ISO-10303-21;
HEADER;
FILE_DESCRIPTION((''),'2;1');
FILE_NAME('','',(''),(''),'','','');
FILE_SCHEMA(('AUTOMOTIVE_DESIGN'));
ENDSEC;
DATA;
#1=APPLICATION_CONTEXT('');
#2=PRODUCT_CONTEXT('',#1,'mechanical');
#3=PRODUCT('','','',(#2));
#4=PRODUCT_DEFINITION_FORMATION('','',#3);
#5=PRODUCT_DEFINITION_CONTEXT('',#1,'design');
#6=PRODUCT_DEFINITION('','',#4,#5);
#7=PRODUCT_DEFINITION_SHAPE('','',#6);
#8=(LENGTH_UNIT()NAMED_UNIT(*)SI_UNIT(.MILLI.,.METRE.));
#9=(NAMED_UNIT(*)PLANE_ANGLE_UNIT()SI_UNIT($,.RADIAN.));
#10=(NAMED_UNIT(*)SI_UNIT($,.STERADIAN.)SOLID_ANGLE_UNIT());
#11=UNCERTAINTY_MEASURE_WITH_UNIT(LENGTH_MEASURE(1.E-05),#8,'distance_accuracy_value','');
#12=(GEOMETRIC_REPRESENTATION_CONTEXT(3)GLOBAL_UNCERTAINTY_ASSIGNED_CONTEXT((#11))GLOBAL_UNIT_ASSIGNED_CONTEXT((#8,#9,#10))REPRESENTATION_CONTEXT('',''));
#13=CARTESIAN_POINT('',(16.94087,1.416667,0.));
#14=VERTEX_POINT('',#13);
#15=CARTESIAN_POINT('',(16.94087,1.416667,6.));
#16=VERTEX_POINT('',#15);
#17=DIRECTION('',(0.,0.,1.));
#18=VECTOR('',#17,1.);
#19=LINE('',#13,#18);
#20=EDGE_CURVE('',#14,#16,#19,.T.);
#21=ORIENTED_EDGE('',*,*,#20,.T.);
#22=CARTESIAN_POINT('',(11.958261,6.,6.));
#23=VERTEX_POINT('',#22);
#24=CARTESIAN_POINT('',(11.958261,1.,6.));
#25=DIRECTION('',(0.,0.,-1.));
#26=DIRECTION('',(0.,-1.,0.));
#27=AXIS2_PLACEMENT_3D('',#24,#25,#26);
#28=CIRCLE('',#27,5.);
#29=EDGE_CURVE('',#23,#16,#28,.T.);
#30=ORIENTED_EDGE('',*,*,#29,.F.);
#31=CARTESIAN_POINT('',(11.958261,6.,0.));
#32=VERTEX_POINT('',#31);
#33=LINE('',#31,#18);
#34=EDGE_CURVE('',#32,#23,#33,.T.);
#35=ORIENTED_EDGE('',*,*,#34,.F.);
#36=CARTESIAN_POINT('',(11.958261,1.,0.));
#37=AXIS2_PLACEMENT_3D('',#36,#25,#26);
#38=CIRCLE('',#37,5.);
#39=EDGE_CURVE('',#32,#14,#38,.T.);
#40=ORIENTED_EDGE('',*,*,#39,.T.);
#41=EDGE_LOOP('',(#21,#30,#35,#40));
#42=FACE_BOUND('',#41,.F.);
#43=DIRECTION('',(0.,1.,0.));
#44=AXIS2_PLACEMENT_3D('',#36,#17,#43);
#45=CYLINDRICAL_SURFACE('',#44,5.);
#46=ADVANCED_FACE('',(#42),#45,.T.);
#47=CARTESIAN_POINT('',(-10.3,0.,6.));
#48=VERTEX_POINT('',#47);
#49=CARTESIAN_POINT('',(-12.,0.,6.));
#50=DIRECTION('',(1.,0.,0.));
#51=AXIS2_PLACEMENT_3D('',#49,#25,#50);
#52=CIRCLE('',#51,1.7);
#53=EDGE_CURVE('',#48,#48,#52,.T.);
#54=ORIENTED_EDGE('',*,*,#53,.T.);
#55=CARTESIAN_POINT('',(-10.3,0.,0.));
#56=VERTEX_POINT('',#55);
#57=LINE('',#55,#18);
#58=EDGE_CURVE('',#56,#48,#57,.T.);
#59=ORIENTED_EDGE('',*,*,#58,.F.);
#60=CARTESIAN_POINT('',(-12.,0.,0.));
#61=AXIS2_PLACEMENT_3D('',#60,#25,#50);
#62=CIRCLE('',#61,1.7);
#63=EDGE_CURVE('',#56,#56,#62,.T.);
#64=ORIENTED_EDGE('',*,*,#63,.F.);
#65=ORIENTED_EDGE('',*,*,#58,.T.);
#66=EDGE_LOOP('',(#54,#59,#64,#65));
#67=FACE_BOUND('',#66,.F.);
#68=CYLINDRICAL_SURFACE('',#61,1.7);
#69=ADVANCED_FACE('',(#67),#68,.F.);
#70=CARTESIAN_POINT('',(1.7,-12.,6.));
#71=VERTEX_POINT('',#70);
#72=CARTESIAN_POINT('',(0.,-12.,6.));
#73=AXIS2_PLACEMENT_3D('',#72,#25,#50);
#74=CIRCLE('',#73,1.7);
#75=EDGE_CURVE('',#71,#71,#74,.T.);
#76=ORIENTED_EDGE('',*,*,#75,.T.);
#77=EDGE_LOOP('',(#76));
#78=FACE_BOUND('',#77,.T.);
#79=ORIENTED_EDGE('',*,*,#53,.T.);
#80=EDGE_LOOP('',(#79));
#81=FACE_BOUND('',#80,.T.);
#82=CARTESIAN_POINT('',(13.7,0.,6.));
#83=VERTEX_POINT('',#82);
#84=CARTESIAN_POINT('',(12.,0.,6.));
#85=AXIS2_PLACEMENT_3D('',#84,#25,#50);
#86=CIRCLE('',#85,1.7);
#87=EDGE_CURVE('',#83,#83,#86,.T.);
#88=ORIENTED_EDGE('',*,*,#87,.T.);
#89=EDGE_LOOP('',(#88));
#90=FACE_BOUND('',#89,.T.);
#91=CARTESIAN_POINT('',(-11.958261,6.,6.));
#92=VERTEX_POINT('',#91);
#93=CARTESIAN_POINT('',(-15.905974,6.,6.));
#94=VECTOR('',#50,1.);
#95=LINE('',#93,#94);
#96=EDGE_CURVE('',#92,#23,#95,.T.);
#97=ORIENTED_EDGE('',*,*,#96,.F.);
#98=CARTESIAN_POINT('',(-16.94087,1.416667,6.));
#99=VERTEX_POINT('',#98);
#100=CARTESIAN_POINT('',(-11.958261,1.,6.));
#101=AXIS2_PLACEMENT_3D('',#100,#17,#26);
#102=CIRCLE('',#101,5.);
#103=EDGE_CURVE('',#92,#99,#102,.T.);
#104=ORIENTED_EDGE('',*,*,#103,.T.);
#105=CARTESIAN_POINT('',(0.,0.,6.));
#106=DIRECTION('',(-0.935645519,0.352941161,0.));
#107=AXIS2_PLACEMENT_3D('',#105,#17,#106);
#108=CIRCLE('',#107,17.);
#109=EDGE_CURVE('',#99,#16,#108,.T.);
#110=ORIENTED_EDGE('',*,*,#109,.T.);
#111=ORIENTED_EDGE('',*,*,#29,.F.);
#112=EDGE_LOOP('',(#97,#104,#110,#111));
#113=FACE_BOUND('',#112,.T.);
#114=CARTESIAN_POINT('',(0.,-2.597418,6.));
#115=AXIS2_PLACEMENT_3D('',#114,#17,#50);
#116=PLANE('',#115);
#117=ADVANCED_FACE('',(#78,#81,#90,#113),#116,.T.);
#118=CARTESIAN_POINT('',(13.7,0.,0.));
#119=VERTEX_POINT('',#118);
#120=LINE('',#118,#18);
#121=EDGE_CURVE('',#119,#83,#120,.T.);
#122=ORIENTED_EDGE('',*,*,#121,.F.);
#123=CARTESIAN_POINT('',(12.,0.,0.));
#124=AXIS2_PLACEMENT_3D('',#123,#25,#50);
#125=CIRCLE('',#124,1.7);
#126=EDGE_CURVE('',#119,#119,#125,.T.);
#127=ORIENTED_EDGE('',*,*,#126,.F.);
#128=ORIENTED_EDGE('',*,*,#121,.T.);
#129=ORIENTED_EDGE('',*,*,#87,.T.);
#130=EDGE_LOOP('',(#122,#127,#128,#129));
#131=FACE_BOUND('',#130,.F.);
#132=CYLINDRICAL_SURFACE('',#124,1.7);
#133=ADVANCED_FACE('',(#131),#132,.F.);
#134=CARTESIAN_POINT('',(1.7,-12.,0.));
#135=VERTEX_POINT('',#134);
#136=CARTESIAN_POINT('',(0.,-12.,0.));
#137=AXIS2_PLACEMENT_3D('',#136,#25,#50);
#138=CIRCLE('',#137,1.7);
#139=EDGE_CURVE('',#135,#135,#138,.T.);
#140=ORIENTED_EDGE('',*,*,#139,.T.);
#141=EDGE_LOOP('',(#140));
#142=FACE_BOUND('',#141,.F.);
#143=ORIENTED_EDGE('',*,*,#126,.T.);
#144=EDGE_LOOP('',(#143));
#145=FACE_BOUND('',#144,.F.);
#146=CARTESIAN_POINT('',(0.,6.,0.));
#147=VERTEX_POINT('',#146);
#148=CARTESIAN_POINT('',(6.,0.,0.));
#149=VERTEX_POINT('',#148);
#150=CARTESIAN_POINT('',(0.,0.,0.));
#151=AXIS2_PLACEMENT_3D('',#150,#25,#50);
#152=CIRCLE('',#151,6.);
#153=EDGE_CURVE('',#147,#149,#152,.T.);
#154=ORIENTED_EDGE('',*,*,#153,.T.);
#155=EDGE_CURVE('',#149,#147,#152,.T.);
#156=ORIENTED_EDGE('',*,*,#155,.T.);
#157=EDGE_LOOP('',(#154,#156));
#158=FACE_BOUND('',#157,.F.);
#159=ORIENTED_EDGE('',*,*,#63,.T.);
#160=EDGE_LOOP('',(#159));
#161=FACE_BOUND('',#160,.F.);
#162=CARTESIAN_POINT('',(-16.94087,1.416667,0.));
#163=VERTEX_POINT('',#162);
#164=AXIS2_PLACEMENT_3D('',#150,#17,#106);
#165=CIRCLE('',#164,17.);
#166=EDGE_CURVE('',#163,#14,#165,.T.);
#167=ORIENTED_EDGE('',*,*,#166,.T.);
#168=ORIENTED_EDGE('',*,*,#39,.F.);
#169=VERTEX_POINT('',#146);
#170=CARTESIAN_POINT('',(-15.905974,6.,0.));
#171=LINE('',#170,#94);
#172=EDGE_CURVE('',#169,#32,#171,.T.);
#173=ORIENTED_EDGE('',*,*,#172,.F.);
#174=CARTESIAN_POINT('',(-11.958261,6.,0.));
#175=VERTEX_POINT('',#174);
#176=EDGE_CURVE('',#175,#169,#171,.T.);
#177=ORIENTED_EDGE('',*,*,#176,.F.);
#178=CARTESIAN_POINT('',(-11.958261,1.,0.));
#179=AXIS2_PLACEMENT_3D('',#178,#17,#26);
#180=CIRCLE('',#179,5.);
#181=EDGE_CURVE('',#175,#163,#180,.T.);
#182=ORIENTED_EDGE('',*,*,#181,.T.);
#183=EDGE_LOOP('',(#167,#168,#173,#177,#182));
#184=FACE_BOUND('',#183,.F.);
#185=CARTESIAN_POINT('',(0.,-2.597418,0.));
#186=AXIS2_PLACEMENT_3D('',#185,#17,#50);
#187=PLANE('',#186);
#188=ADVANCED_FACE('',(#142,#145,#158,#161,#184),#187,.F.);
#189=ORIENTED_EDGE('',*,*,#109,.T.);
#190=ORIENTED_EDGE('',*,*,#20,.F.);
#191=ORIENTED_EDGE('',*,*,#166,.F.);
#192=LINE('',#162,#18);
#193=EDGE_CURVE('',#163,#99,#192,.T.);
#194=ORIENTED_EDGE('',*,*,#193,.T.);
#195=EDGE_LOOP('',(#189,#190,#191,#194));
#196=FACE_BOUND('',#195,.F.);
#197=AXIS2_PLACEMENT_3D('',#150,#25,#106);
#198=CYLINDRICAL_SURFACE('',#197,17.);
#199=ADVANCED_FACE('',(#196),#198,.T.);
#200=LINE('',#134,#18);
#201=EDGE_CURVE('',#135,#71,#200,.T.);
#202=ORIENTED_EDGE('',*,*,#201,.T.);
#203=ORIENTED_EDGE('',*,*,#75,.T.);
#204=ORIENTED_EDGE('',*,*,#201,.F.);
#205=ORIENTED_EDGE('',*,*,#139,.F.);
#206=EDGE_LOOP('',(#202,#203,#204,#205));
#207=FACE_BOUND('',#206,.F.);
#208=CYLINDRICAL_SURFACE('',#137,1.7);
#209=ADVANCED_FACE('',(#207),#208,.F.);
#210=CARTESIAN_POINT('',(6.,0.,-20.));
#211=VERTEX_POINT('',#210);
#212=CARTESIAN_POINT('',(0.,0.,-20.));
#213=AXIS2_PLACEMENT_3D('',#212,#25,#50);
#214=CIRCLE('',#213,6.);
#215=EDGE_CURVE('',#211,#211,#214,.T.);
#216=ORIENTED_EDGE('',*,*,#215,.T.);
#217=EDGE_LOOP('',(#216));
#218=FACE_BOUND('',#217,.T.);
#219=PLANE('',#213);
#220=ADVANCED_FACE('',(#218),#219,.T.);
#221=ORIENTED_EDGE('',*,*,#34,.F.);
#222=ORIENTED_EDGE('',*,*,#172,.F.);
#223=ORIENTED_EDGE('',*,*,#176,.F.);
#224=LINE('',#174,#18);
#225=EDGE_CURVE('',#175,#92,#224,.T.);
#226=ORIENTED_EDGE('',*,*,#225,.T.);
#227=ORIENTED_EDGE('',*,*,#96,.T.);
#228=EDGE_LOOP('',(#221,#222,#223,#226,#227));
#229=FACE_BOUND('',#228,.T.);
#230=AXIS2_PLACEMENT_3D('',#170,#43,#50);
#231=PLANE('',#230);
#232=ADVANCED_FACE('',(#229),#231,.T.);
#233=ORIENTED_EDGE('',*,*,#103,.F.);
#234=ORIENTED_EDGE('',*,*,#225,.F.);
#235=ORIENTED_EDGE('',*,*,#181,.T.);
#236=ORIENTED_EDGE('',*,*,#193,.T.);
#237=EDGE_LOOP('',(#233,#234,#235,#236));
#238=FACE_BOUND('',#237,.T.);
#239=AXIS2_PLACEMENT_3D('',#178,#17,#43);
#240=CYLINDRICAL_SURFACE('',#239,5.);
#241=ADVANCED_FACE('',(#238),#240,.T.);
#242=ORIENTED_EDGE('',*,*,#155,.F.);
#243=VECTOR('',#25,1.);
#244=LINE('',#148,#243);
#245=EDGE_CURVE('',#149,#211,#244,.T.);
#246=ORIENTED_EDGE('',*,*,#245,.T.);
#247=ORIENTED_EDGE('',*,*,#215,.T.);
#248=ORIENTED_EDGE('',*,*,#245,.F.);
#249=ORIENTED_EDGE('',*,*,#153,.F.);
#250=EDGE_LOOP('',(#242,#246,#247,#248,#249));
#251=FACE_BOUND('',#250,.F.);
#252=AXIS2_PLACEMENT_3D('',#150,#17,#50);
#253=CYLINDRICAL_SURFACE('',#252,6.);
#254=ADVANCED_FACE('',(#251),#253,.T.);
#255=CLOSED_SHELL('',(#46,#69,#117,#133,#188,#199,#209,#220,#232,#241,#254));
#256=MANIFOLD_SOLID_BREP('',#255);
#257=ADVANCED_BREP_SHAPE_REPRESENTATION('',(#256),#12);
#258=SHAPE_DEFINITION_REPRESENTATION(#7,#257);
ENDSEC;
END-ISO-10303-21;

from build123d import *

# Parameters (mm, degrees)
PAD_DEPTH    = 6
SKETCH001_R  = 6
PAD001_DEPTH = 20
SKETCH002_R  = 1.7
POCKET_DEPTH = 6.001
FILLET_R     = 5


with BuildPart() as part:
    # Sketch → Pad (new body)
    with BuildSketch(Plane.XY):
        with BuildLine():
            ThreePointArc((-15.905974, 6), (0, -17), (15.905974, 6))
            Line((-15.905974, 6), (15.905974, 6))
        make_face()
    extrude(amount=PAD_DEPTH)

    # Sketch001 → Pad001 (new body)
    with BuildSketch(Plane(origin=(0, 0, 0), x_dir=(1, 0, 0), z_dir=(0, 0, -1))):
        Circle(SKETCH001_R)
    extrude(amount=PAD001_DEPTH)

    # Sketch002 → Pocket (cut, through all)
    with BuildSketch(Plane(origin=(0, 0, 0), x_dir=(1, 0, 0), z_dir=(0, 0, -1))):
        with Locations((12, 0)):
            Circle(SKETCH002_R)
        with Locations((-12, 0)):
            Circle(SKETCH002_R)
        with Locations((0, 12)):
            Circle(SKETCH002_R)
    extrude(amount=-POCKET_DEPTH, mode=Mode.SUBTRACT)

    # Fillet
    fillet_edges = [part.edges().sort_by_distance(p)[0] for p in [
        (-15.905974, 6, 3),
        (15.905974, 6, 3),
    ]]
    fillet(fillet_edges, radius=FILLET_R)


solid = part.part
